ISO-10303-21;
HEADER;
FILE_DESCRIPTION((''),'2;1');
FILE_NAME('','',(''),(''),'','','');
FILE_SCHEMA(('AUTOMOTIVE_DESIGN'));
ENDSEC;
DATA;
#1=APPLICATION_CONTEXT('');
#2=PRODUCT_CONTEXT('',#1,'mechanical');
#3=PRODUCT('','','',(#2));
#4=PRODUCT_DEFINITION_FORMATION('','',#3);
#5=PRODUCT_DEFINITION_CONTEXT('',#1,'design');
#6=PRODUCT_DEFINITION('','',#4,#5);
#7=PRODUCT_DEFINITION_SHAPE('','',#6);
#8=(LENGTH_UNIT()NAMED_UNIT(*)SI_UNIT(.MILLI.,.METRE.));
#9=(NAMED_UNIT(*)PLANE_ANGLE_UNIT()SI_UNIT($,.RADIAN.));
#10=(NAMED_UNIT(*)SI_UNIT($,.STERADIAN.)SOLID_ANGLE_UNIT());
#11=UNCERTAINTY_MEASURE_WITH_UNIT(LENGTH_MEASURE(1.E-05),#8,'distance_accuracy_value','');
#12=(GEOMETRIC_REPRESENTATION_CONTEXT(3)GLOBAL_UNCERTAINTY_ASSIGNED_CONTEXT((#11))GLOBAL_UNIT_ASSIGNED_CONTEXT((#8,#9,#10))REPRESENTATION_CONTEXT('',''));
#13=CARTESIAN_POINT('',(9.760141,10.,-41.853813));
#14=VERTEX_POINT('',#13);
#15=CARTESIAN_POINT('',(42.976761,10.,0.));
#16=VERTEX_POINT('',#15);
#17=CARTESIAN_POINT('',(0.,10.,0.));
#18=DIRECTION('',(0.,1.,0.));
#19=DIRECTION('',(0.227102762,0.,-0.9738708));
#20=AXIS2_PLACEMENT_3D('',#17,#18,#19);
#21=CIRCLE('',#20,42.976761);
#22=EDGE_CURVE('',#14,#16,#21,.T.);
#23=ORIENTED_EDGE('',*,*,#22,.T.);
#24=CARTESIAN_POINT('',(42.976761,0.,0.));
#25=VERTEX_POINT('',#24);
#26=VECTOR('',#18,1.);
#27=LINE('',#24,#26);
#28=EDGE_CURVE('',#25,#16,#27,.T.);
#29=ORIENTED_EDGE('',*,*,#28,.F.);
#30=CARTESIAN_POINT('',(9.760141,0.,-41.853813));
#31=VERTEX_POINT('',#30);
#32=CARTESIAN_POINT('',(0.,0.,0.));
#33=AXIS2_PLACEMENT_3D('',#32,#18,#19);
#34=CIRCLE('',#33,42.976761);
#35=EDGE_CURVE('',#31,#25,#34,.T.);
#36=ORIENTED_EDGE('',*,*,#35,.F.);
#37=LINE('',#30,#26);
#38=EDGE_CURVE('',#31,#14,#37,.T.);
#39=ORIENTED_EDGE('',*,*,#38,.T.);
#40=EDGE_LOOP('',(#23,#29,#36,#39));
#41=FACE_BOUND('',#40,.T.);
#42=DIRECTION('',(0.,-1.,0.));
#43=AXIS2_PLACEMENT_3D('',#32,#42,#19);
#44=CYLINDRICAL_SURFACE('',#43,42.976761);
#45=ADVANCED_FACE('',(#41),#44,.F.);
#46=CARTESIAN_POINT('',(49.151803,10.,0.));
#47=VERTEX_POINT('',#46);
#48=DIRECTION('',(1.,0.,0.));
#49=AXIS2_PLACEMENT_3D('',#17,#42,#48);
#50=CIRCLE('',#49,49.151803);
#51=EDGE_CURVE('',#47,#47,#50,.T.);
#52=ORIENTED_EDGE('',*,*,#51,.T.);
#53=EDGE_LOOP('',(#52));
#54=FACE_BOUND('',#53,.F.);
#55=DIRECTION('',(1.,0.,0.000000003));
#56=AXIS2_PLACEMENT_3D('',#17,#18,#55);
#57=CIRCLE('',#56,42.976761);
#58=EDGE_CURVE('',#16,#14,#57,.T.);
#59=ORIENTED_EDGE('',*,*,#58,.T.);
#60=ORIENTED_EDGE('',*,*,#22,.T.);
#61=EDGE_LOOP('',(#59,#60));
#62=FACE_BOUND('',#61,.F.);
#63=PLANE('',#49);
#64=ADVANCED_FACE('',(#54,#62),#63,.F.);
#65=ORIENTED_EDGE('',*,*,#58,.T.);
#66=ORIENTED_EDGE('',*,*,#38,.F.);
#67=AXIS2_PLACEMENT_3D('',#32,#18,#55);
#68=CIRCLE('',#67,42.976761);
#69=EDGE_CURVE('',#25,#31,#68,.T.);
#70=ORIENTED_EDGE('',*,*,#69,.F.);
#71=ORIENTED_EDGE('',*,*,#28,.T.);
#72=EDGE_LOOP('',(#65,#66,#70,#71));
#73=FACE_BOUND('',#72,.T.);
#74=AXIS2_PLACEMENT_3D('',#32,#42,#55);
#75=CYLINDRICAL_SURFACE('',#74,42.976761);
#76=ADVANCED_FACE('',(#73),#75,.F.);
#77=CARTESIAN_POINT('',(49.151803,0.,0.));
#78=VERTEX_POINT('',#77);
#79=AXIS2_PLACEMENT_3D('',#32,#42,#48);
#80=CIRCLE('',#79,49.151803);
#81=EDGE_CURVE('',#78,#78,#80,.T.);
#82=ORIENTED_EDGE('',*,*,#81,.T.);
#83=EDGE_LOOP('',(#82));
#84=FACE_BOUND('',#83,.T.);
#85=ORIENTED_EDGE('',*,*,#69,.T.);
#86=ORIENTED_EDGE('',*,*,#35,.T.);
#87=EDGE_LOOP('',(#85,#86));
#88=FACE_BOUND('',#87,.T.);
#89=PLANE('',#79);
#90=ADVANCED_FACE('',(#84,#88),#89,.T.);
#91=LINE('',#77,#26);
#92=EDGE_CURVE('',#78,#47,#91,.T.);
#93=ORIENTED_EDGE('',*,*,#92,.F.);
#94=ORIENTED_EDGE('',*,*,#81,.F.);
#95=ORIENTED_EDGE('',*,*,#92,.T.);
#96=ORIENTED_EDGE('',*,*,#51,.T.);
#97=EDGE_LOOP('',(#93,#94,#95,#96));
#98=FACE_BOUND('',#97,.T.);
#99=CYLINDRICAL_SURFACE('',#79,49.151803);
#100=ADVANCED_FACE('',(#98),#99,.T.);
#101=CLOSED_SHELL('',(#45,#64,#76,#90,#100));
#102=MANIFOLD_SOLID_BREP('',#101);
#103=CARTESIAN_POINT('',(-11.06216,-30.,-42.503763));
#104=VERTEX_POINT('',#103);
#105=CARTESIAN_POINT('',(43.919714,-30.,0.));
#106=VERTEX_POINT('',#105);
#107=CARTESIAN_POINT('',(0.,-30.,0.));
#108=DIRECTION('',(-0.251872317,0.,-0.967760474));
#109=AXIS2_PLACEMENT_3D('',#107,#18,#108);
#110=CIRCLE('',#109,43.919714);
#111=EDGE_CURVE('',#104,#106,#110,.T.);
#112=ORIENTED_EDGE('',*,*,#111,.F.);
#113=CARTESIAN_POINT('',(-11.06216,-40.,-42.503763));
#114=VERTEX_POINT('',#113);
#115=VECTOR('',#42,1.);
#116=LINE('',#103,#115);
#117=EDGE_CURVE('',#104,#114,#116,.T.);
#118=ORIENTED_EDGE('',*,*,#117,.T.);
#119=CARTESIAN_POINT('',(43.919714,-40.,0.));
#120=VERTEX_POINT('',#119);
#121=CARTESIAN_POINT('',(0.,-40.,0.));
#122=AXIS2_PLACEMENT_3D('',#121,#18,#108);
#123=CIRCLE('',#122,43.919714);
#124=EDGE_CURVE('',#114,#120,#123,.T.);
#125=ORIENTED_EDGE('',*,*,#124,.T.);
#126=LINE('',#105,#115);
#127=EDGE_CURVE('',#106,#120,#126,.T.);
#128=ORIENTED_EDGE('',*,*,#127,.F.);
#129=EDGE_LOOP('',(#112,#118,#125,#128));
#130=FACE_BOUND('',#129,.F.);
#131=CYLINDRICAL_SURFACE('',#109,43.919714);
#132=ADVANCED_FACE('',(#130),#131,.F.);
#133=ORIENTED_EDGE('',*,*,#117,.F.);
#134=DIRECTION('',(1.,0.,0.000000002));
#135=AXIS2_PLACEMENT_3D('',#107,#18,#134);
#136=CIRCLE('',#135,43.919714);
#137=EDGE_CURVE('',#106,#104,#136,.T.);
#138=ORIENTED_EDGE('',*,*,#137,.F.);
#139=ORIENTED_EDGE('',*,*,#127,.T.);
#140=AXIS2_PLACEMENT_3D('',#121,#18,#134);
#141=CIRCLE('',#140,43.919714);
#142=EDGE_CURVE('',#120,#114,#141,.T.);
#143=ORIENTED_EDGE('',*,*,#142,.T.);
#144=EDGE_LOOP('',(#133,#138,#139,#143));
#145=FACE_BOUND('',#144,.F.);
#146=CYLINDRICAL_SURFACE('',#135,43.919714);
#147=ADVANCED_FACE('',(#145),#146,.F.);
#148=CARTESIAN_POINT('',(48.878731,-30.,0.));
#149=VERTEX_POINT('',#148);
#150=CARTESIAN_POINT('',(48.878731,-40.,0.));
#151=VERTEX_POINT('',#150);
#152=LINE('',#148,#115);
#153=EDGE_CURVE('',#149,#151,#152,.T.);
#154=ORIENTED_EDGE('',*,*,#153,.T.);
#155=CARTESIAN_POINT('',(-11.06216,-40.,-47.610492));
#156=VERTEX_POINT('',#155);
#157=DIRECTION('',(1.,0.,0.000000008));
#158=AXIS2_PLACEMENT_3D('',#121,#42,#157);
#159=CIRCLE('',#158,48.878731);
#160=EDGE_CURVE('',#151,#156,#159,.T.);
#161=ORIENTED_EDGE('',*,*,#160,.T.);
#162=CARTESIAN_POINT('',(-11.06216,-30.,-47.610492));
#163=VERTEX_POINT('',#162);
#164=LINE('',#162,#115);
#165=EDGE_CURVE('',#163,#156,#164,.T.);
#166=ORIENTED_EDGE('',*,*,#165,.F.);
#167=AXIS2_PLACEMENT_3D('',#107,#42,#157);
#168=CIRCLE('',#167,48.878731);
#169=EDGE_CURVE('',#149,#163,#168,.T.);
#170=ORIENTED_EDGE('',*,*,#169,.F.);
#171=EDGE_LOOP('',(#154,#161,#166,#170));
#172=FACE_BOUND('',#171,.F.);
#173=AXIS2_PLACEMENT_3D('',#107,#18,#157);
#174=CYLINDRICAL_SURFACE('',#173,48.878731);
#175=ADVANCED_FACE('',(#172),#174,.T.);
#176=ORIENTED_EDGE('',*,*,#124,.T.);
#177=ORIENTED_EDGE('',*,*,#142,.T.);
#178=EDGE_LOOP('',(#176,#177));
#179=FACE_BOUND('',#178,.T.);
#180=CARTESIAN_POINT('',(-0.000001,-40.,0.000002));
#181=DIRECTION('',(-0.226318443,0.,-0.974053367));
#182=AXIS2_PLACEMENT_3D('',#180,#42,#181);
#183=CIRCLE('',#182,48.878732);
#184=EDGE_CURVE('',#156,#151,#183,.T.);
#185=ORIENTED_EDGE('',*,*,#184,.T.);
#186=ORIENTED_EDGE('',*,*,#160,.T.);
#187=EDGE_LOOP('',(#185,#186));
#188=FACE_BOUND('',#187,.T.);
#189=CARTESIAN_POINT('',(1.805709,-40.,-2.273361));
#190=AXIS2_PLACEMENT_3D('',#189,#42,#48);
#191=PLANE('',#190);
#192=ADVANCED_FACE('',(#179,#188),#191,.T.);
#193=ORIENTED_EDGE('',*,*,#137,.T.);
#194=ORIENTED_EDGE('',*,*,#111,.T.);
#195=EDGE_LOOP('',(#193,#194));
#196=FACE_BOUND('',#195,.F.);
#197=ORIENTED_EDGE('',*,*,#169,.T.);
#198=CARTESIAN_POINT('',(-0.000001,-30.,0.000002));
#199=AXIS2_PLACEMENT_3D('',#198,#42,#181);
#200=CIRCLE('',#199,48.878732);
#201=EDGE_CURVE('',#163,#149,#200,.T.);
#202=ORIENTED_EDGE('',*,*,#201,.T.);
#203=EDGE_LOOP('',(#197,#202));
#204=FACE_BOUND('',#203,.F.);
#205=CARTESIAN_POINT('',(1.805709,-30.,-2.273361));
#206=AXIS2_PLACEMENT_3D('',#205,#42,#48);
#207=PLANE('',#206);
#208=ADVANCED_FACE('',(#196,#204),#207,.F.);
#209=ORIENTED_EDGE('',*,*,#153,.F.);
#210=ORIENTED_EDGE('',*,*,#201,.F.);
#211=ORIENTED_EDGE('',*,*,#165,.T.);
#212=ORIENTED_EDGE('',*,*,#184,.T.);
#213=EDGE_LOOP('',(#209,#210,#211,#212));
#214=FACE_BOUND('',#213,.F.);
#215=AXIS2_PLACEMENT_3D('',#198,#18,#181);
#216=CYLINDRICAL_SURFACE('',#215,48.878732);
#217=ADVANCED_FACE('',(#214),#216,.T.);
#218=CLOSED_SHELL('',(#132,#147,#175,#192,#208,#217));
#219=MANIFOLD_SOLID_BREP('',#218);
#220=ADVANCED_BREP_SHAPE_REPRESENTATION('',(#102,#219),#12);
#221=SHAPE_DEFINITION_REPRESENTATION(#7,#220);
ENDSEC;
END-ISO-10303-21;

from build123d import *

# Parameters (mm, degrees)
F4_R     = 49.151803
F2_DEPTH = 10
F5_DEPTH = 10


with BuildPart() as f2:
    # F4 (on face) → F2 (new body)
    with BuildSketch(Plane.XZ):
        Circle(F4_R)
        with BuildLine():
            ThreePointArc((9.760141, -41.853813), (-33.663491, 26.7165), (42.976761, 0))
            ThreePointArc((42.976761, 0), (33.663491, -26.7165), (9.760141, -41.853813))
        make_face(mode=Mode.SUBTRACT)
    extrude(amount=-F2_DEPTH)


with BuildPart() as f5:
    # F1 (on offset) → F5 (new body)
    with BuildSketch(Plane.XZ.offset(30)):
        with BuildLine():
            ThreePointArc((-11.06216, -47.610492), (30.400871, -38.274238), (48.878731, 0))
            ThreePointArc((48.878731, 0), (-30.400871, 38.274238), (-11.06216, -47.610492))
        make_face()
        with BuildLine():
            ThreePointArc((43.919714, 0), (26.86163, -34.747577), (-11.06216, -42.503763))
            ThreePointArc((-11.06216, -42.503763), (-26.86163, 34.747577), (43.919714, 0))
        make_face(mode=Mode.SUBTRACT)
    extrude(amount=F5_DEPTH)


solid = Compound([f2.part, f5.part])
